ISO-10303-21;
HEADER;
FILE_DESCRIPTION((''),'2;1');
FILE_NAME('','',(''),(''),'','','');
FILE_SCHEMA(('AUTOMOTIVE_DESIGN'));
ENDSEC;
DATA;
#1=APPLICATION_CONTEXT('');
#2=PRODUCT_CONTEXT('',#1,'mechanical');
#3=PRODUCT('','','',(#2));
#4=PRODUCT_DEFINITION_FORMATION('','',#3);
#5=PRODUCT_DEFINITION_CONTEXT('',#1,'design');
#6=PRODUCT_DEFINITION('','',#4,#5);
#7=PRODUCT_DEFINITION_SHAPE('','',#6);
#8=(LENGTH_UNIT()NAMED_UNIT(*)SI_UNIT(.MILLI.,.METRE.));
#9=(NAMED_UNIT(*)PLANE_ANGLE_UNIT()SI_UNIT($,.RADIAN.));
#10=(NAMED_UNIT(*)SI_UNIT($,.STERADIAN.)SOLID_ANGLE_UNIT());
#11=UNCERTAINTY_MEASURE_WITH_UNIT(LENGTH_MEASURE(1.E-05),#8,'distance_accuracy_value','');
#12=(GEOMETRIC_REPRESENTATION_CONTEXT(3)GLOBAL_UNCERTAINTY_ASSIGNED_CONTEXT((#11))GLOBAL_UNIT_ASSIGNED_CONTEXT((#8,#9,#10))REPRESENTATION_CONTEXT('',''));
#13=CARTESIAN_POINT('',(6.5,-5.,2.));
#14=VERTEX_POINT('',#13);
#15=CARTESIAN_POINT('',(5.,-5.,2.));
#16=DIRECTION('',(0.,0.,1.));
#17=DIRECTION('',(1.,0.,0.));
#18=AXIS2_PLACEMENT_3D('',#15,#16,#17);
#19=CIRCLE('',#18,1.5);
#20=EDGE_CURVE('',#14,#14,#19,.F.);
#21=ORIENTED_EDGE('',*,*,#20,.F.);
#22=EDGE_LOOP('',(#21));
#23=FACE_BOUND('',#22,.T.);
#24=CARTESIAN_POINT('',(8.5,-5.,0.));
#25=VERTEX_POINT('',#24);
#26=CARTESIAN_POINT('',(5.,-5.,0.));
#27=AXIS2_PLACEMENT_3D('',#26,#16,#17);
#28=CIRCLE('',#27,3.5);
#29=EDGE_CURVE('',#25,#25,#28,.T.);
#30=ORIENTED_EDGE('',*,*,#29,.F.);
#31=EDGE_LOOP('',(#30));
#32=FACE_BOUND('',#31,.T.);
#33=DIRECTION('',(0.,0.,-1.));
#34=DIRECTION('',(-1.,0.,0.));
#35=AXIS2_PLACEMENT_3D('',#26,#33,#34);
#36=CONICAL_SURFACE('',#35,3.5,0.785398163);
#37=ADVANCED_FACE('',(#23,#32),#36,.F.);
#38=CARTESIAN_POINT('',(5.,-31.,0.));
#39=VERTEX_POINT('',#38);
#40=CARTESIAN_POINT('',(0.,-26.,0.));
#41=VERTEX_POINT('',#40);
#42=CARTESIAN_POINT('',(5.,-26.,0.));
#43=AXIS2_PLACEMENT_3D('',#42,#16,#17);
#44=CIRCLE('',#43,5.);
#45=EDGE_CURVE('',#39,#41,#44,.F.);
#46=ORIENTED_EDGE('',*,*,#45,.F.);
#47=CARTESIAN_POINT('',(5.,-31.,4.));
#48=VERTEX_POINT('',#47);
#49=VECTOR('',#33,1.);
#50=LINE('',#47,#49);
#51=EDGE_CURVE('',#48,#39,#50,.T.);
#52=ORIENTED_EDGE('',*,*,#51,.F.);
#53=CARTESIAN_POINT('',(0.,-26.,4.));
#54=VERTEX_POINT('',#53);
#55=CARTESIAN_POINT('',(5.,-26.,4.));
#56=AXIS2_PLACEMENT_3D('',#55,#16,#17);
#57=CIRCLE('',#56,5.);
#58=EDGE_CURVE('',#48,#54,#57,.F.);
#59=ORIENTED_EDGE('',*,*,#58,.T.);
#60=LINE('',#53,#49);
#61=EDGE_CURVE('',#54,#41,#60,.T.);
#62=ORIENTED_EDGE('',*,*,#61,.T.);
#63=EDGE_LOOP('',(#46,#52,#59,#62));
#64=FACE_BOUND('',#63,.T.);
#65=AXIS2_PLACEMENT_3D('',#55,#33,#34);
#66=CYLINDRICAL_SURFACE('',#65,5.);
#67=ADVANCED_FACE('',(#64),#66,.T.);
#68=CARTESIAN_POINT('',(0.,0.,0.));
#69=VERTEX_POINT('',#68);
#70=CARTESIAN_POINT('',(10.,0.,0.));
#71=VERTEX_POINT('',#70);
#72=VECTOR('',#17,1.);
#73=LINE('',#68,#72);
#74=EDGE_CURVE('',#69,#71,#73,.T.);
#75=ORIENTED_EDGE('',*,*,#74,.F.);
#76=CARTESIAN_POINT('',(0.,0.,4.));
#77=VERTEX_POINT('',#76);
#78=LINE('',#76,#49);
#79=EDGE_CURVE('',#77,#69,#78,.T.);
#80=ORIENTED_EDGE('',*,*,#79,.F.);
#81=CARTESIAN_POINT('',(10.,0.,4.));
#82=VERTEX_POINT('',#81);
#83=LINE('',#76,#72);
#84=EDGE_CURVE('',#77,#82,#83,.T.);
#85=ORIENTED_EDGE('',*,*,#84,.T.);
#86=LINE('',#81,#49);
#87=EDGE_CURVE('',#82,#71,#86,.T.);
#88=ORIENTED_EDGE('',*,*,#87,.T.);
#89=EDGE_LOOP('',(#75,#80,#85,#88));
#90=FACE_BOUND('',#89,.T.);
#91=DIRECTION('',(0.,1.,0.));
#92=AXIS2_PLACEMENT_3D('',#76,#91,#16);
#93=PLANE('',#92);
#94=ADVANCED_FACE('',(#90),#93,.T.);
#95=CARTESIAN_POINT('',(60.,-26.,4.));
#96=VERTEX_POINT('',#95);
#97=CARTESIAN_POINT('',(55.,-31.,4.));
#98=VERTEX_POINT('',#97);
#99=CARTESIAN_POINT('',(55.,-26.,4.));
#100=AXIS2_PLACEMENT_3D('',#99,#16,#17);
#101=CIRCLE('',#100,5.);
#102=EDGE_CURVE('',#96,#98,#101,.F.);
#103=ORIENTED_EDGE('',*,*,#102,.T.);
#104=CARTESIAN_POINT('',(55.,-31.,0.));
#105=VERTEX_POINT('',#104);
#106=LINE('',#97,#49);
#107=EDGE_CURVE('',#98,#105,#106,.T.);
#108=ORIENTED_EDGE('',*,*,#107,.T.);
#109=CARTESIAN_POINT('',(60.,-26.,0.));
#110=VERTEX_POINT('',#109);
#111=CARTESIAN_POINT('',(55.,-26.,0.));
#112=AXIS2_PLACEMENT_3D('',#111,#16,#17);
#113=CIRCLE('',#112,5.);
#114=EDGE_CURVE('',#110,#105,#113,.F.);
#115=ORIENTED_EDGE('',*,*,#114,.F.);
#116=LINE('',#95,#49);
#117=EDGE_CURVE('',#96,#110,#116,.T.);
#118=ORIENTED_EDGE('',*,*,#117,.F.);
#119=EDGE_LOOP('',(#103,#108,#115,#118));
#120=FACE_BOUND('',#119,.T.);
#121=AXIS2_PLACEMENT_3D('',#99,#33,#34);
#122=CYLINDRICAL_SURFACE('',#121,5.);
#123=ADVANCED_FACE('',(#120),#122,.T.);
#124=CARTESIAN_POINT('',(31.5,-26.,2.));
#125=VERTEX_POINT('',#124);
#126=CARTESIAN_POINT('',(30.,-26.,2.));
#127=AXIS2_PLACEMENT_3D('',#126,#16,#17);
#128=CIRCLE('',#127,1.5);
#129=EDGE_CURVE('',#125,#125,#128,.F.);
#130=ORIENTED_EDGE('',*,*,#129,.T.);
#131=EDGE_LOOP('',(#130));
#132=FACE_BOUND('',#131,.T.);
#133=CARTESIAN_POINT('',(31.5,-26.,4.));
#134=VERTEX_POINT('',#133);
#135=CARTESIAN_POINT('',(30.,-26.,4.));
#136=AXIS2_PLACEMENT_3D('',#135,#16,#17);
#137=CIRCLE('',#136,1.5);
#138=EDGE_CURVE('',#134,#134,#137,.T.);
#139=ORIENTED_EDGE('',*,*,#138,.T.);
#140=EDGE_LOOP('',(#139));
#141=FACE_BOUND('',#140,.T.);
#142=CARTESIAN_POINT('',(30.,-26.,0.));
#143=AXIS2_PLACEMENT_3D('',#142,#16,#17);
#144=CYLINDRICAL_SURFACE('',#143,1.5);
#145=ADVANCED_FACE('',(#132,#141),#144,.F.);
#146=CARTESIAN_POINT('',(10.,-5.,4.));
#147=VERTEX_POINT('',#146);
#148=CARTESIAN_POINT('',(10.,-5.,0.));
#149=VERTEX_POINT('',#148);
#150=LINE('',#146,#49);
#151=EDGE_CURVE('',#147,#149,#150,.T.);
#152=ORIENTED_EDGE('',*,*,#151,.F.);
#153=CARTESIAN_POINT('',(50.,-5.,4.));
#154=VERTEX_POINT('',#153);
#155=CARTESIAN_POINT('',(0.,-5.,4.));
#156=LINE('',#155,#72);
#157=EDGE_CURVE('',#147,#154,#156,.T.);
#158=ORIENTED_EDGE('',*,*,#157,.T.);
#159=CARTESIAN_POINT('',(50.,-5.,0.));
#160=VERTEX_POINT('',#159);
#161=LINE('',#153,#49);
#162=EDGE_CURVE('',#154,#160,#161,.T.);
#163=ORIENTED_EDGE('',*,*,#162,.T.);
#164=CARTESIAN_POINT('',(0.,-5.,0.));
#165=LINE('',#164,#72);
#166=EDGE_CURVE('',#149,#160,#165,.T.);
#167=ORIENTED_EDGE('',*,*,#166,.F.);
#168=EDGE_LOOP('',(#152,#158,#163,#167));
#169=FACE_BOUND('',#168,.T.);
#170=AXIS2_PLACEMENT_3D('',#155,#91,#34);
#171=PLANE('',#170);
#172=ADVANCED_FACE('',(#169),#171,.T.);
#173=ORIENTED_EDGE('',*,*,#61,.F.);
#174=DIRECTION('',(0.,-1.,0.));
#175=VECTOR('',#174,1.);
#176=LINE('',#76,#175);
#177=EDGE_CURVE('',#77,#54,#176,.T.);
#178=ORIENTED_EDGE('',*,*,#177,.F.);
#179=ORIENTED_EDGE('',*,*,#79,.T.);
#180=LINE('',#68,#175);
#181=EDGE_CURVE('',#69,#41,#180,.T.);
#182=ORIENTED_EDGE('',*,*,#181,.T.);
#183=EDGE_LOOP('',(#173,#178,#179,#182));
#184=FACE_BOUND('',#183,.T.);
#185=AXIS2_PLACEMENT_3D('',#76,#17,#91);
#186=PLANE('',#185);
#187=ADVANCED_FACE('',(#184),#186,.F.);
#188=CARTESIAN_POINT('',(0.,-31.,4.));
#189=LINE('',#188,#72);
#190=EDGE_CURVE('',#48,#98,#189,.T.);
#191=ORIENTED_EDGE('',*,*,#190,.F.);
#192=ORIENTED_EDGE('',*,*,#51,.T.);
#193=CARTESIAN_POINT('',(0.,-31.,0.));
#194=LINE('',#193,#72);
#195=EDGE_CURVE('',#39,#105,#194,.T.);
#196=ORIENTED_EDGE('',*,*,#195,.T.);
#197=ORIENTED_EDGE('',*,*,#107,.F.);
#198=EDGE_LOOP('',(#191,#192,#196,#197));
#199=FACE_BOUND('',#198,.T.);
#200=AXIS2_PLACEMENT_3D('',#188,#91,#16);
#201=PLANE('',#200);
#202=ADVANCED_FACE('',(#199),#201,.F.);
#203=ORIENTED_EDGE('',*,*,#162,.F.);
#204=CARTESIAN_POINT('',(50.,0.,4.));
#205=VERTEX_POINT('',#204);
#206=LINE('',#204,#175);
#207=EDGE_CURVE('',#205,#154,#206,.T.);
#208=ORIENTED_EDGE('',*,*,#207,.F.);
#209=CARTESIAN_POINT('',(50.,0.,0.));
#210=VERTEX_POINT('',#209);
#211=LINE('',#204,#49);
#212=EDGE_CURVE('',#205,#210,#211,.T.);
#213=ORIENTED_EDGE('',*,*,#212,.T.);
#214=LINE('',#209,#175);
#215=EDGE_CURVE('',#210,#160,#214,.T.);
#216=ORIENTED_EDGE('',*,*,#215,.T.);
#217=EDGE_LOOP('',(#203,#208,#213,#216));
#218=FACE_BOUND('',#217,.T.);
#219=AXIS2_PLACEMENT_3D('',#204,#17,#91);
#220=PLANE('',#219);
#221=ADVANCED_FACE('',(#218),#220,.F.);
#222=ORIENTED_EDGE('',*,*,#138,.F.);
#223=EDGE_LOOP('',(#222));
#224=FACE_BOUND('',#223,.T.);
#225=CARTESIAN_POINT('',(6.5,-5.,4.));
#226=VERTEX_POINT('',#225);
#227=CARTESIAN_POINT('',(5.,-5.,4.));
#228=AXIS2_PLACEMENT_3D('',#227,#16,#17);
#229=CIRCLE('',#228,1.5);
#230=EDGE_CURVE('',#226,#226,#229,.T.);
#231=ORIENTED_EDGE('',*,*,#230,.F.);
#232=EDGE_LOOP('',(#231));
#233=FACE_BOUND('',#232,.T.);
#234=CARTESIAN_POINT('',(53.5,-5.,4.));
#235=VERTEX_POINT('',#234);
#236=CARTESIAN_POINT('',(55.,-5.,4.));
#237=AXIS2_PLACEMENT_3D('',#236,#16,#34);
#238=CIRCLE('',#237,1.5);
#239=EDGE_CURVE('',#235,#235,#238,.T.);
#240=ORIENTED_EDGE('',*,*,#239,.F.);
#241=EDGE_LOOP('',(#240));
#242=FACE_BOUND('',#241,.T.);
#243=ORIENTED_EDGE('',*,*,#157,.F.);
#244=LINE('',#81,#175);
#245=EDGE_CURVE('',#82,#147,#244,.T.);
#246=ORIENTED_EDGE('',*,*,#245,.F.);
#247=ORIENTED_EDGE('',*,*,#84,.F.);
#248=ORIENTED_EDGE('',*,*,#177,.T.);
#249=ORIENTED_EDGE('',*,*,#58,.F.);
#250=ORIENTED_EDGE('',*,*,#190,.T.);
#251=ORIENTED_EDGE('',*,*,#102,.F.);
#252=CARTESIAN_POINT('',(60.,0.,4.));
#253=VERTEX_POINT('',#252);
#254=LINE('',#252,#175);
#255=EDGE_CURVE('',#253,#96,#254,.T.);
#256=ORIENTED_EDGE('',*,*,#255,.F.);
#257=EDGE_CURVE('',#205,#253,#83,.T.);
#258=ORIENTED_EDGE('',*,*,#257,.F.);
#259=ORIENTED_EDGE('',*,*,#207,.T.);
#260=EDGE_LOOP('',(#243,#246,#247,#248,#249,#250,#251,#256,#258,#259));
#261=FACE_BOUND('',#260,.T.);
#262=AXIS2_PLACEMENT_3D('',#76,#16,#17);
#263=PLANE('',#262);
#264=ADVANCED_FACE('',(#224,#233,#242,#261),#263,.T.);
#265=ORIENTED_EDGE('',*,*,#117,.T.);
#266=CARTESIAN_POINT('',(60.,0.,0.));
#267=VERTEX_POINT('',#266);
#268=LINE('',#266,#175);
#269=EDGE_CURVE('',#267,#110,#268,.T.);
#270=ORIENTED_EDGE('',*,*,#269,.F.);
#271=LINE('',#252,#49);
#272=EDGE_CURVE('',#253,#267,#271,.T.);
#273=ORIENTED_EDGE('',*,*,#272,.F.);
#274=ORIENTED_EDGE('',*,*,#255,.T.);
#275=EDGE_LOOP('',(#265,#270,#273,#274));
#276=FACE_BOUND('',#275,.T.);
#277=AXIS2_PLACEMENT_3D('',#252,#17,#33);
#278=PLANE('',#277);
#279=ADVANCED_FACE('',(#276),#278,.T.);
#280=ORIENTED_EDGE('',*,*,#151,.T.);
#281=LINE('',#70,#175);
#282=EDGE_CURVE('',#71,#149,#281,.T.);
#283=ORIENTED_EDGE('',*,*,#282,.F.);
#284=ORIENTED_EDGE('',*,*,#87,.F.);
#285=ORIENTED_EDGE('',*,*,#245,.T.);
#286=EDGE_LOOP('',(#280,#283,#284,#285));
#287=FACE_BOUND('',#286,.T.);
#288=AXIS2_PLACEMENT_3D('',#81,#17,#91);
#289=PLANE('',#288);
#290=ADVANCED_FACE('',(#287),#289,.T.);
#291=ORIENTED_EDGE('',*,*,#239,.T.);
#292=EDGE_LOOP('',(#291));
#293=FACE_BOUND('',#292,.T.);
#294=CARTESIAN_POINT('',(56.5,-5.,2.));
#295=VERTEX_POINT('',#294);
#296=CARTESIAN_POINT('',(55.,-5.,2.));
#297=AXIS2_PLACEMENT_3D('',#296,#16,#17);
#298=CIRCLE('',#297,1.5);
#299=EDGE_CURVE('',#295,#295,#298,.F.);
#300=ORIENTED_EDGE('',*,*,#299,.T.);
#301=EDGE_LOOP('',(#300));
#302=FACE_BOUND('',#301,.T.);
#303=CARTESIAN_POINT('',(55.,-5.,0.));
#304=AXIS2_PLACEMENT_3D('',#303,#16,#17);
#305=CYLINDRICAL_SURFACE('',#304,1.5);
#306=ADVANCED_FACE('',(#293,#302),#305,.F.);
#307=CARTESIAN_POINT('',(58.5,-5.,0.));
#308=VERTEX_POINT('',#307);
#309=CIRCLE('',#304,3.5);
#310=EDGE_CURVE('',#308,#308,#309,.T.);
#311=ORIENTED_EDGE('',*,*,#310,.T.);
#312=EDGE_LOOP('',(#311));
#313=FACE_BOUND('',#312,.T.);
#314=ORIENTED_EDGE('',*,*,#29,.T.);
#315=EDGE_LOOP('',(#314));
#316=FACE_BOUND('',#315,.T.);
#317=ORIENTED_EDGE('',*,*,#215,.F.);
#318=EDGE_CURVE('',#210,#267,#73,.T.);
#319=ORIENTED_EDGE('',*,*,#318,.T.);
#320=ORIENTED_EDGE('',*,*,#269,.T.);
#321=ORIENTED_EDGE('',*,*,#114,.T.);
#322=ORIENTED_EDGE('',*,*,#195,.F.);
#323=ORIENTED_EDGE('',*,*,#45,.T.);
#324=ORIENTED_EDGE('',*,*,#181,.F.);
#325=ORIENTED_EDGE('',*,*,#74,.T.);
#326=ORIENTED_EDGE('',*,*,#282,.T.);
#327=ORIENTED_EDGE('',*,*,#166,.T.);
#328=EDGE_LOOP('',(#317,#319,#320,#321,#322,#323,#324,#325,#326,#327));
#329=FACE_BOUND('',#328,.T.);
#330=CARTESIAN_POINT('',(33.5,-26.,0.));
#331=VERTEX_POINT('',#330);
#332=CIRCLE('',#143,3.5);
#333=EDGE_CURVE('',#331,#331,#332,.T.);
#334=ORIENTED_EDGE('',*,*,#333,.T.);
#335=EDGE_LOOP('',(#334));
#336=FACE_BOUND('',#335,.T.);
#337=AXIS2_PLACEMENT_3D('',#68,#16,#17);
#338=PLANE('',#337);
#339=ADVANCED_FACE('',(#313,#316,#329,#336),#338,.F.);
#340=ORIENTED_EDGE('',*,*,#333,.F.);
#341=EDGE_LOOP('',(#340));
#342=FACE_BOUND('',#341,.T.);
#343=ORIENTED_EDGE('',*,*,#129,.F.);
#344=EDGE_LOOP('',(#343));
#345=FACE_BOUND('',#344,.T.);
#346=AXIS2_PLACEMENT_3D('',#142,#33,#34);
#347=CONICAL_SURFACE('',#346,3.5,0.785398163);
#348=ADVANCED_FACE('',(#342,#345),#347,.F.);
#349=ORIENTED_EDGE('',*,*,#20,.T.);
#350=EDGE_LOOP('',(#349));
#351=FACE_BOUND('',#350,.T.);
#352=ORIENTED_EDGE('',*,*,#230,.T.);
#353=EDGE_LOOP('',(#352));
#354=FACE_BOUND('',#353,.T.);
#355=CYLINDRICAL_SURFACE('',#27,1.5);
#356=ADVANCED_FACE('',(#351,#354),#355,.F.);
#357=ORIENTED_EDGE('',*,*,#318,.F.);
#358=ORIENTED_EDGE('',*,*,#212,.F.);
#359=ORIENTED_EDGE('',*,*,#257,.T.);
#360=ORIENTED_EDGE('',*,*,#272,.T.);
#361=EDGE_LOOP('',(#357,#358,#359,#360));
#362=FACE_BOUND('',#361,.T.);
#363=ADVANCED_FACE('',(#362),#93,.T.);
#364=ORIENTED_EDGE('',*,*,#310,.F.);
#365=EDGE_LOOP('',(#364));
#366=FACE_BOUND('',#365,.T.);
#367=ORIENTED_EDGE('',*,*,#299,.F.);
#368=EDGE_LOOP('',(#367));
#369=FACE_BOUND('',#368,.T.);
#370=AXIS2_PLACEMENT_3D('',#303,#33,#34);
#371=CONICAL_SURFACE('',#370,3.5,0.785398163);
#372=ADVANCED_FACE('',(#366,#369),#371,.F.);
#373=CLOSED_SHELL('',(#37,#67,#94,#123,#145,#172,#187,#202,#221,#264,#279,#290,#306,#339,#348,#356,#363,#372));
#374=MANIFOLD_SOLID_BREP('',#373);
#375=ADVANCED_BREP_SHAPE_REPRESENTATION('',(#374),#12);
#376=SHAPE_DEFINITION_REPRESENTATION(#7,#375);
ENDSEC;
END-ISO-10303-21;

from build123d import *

# Parameters (mm, degrees)
BOSS_EXTRU_1_DEPTH      = 4
ESQUISSE2_R             = 1.5
ENL_V_MAT_EXTRU_1_DEPTH = 4
CHANFREIN1_SIZE         = 2


with BuildPart() as part:
    # Esquisse1 → Boss.-Extru.1 (new body)
    with BuildSketch(Plane.XY):
        with BuildLine():
            Line((10, 0), (0, 0))
            Line((0, 0), (0, -26))
            ThreePointArc((0, -26), (1.464466094, -29.535533906), (5, -31))
            Line((5, -31), (55, -31))
            ThreePointArc((55, -31), (58.535533906, -29.535533906), (60, -26))
            Line((60, -26), (60, 0))
            Line((60, 0), (50, 0))
            Line((50, 0), (50, -5))
            Line((50, -5), (10, -5))
            Line((10, -5), (10, 0))
        make_face()
    extrude(amount=BOSS_EXTRU_1_DEPTH)

    # Esquisse2 → Enlèv. mat.-Extru.1 (cut)
    with BuildSketch(Plane.XY.offset(4)):
        with Locations((30, -26)):
            Circle(ESQUISSE2_R)
        with Locations((5, -5)):
            Circle(ESQUISSE2_R)
        with Locations((55, -5)):
            Circle(ESQUISSE2_R)
    extrude(amount=-ENL_V_MAT_EXTRU_1_DEPTH, mode=Mode.SUBTRACT)

    # Chanfrein1
    chanfrein1_edges = [part.edges().sort_by_distance(p)[0] for p in [
        (28.5, -26, 0),
        (3.5, -5, 0),
        (53.5, -5, 0),
    ]]
    chamfer(chanfrein1_edges, length=CHANFREIN1_SIZE)


solid = part.part
